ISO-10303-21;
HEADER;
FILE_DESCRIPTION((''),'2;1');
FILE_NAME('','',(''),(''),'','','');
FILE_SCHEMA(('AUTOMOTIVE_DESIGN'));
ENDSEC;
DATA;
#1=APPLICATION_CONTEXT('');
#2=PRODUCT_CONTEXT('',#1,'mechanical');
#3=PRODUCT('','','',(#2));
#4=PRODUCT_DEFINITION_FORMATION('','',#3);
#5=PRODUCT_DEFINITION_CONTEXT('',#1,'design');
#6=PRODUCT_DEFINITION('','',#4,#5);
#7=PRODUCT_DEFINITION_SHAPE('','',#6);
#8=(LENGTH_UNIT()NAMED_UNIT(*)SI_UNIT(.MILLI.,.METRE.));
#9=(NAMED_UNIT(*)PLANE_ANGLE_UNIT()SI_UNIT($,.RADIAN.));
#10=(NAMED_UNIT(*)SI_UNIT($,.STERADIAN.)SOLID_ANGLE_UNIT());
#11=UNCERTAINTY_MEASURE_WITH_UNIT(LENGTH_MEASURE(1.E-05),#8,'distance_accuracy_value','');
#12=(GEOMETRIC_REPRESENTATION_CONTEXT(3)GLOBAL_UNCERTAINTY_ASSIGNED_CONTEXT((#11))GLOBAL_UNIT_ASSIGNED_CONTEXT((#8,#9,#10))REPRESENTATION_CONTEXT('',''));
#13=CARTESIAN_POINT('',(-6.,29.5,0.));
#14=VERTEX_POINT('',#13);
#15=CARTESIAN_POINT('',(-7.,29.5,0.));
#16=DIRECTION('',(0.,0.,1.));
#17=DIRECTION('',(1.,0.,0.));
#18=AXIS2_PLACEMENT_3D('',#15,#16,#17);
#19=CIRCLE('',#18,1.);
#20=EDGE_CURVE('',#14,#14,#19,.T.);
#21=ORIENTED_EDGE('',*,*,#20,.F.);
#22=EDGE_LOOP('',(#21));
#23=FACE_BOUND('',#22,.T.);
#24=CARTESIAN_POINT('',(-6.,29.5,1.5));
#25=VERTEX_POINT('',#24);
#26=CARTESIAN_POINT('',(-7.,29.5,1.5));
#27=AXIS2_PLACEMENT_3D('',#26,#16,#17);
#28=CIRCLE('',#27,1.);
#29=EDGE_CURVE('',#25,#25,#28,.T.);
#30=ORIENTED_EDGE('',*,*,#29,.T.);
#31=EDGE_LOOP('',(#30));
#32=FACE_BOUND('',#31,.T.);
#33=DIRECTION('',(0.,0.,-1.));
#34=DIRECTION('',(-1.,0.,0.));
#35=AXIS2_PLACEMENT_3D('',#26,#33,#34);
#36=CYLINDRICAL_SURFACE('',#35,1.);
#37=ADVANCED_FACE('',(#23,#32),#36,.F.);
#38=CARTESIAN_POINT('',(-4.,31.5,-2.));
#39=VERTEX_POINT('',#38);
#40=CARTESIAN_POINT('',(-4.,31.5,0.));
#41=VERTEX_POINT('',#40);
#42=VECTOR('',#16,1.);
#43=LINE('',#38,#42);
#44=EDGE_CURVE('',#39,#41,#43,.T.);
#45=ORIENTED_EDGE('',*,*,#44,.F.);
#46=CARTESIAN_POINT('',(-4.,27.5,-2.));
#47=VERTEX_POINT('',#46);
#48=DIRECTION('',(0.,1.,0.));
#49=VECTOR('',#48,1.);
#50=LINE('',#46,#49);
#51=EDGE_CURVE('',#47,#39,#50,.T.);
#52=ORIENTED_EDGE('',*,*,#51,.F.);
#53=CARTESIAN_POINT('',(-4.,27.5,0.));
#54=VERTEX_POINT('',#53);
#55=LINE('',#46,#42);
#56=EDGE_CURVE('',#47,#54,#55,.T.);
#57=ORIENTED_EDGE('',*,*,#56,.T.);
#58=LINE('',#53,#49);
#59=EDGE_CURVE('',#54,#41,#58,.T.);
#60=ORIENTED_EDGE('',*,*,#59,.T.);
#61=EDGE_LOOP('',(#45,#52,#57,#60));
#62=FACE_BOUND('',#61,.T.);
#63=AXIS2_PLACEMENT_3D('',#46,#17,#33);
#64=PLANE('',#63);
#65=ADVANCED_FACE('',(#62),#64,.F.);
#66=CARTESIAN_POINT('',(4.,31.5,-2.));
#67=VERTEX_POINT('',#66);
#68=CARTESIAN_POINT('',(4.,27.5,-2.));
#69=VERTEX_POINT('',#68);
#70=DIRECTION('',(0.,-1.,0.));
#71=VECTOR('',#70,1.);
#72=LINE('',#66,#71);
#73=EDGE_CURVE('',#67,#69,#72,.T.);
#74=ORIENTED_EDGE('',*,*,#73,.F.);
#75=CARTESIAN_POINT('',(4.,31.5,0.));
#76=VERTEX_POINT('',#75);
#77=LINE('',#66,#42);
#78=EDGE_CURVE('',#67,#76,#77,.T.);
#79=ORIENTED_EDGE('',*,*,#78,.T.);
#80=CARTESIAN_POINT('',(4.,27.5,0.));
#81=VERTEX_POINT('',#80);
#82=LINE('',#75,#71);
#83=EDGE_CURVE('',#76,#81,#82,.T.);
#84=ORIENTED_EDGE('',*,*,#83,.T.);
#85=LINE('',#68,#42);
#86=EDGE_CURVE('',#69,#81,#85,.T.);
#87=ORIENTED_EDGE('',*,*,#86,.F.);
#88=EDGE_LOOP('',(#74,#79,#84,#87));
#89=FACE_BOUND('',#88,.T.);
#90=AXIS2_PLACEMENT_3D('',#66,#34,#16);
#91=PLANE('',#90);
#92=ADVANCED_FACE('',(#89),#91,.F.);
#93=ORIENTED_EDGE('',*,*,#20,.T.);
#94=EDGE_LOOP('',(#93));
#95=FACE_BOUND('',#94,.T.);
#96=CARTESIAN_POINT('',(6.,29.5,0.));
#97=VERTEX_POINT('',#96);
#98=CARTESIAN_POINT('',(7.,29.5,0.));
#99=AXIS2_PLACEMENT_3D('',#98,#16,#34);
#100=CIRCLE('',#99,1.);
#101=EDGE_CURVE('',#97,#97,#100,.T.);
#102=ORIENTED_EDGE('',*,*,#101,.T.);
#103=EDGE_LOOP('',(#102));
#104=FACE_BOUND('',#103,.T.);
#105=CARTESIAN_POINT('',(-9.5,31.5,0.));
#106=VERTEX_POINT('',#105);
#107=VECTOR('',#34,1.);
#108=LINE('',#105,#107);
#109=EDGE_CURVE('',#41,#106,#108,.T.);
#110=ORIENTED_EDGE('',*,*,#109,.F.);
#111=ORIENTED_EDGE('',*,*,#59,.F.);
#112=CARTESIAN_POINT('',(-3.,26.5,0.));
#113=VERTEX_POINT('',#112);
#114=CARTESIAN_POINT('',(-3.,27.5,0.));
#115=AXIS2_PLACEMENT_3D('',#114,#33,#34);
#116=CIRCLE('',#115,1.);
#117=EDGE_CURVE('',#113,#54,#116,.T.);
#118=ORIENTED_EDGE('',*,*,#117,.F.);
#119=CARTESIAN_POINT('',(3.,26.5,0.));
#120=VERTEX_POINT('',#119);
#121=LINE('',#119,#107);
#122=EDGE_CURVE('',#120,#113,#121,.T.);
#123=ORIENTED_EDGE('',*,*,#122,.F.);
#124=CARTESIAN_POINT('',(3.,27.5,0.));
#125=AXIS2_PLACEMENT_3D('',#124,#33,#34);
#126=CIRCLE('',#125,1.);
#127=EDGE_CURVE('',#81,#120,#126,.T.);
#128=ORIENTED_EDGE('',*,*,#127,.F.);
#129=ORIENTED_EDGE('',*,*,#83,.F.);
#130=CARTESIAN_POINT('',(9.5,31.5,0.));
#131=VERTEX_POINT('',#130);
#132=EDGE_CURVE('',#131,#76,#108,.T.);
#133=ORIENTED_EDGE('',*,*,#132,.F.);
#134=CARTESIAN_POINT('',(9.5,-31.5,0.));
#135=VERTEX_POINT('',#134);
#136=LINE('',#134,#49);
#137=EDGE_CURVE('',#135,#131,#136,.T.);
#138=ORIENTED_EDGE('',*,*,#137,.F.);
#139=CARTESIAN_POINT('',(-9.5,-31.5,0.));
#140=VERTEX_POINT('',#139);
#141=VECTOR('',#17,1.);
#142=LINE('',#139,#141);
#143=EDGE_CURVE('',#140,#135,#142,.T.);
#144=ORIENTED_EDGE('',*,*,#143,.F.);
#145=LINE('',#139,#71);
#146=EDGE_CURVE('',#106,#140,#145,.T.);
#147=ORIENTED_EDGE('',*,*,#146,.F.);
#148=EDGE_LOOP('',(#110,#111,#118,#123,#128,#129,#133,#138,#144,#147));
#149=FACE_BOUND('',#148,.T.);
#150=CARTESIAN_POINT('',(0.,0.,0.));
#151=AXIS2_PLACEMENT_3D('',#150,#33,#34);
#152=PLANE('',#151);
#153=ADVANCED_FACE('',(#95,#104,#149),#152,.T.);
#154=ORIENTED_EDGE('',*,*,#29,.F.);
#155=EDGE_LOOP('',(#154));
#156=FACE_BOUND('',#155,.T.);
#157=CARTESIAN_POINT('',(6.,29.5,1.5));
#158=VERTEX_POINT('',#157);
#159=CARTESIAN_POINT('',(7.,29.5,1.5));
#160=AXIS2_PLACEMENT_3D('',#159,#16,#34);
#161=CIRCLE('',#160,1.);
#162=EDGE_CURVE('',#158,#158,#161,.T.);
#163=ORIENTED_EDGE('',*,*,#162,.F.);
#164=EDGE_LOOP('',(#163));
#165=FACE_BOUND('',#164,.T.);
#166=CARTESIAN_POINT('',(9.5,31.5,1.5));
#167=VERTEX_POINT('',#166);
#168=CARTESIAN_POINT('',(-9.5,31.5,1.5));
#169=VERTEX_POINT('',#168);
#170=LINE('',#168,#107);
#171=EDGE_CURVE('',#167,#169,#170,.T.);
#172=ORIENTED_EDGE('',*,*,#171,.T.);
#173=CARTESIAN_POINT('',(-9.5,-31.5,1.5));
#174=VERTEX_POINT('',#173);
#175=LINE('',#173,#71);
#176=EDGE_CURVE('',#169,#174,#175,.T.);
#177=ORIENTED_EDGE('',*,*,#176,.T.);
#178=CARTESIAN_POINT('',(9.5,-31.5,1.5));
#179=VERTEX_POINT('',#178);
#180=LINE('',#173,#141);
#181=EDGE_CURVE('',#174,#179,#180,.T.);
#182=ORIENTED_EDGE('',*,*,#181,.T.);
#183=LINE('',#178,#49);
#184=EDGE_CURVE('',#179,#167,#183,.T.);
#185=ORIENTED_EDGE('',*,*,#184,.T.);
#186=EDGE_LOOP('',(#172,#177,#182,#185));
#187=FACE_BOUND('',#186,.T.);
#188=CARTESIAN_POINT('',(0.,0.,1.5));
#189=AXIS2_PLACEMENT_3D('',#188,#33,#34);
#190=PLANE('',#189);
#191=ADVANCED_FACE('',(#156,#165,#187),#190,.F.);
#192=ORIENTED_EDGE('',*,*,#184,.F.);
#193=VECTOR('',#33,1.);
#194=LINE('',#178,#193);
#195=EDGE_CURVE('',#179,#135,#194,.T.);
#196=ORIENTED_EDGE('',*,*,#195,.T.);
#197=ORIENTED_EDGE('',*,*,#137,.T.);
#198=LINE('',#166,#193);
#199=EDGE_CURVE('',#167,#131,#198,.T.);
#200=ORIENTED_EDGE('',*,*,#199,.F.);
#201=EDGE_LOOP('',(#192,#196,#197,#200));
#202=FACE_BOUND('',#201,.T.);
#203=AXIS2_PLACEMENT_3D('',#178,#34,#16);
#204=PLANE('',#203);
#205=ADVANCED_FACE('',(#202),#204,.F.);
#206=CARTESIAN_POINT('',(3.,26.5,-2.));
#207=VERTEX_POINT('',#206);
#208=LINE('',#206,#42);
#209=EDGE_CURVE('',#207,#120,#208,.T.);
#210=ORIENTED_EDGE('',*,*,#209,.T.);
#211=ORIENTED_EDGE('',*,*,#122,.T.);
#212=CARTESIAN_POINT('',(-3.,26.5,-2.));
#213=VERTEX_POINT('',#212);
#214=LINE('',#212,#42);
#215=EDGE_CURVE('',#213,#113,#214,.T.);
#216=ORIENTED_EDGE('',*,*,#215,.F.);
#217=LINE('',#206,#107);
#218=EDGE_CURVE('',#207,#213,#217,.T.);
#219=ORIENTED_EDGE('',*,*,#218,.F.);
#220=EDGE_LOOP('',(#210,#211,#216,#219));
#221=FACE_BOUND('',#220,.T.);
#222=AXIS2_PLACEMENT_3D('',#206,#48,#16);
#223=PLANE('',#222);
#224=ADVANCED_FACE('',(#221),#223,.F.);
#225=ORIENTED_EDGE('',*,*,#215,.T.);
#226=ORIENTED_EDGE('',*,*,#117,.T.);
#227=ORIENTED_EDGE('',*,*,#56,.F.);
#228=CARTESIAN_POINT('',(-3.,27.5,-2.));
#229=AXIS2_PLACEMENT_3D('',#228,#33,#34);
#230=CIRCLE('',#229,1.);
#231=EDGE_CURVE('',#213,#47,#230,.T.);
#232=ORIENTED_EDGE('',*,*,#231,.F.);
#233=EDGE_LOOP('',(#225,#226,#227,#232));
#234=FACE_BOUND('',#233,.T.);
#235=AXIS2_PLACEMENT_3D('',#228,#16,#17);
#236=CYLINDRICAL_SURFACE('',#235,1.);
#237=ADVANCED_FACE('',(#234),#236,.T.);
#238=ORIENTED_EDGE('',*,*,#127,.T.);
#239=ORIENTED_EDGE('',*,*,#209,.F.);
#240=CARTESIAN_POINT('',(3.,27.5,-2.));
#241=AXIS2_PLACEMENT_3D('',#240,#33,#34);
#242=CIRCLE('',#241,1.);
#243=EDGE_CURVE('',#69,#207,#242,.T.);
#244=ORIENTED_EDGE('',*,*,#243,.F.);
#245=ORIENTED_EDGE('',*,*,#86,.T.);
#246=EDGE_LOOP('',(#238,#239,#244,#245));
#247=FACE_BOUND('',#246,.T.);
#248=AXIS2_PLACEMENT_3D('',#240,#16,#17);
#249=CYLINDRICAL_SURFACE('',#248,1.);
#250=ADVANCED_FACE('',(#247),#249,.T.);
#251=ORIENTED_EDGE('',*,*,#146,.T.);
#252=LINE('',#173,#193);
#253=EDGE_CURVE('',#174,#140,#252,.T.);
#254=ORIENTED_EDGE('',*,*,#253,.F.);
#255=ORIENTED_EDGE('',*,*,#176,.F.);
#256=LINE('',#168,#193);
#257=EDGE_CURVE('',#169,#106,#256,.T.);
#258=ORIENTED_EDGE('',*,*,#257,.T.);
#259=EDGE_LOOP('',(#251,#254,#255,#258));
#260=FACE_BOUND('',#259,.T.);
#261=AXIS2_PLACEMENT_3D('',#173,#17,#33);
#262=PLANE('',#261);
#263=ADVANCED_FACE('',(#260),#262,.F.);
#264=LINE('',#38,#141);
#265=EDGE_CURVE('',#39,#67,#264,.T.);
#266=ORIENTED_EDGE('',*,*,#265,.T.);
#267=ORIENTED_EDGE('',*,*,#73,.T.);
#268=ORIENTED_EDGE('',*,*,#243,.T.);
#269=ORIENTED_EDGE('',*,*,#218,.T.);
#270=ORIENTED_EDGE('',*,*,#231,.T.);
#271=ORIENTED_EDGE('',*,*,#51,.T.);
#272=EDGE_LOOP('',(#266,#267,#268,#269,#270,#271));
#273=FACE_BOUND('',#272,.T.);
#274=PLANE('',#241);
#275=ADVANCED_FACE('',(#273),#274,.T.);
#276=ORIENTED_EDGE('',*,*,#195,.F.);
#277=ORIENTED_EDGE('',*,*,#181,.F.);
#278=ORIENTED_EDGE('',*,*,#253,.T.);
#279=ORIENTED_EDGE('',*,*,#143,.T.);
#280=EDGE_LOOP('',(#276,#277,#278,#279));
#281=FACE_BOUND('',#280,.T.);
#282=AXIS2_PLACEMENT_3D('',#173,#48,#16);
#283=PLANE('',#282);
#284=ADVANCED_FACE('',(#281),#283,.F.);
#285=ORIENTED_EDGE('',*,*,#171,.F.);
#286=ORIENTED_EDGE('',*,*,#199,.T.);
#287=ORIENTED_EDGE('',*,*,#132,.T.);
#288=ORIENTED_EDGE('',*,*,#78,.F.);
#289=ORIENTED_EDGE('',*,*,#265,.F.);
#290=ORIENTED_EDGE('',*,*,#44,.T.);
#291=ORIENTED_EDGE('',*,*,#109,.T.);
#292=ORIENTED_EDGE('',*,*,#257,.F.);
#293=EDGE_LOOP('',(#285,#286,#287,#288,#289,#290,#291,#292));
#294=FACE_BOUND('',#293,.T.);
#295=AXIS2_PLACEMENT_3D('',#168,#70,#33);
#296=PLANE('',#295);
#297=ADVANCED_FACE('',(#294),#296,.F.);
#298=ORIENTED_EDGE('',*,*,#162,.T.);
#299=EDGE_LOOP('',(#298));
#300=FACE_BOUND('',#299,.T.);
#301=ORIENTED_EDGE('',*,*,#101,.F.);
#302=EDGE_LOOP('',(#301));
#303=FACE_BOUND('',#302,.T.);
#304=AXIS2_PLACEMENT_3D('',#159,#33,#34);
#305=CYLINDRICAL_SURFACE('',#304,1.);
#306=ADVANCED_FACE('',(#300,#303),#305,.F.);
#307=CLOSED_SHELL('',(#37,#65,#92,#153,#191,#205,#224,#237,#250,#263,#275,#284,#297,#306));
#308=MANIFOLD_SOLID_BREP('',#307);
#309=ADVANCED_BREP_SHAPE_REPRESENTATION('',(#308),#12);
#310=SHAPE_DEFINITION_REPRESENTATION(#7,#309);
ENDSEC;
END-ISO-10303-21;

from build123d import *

# Parameters (mm, degrees)
ESQUISSE1_W        = 19
ESQUISSE1_H        = 63
ESQUISSE1_R        = 1
BOSS_EXTRU_1_DEPTH = 1.5
BOSS_EXTRU_2_DEPTH = 2


with BuildPart() as part:
    # Esquisse1 → Boss.-Extru.1 (new body)
    with BuildSketch(Plane.XY):
        Rectangle(ESQUISSE1_W, ESQUISSE1_H)
        with Locations((-7, 29.5)):
            Circle(ESQUISSE1_R, mode=Mode.SUBTRACT)
        with Locations(Location((7, 29.5, 0), (0, 0, 180))):
            Circle(ESQUISSE1_R, mode=Mode.SUBTRACT)
    extrude(amount=BOSS_EXTRU_1_DEPTH)

    # Esquisse2 → Boss.-Extru.2 (add)
    with BuildSketch(Plane(origin=(0, 0, 0), x_dir=(-1, 0, 0), z_dir=(0, 0, -1))):
        with BuildLine():
            Line((-4, 31.5), (-4, 27.5))
            ThreePointArc((-4, 27.5), (-3.707106781, 26.792893219), (-3, 26.5))
            Line((-3, 26.5), (3, 26.5))
            ThreePointArc((3, 26.5), (3.707106781, 26.792893219), (4, 27.5))
            Line((4, 27.5), (4, 31.5))
            Line((4, 31.5), (-4, 31.5))
        make_face()
    extrude(amount=BOSS_EXTRU_2_DEPTH)


solid = part.part
